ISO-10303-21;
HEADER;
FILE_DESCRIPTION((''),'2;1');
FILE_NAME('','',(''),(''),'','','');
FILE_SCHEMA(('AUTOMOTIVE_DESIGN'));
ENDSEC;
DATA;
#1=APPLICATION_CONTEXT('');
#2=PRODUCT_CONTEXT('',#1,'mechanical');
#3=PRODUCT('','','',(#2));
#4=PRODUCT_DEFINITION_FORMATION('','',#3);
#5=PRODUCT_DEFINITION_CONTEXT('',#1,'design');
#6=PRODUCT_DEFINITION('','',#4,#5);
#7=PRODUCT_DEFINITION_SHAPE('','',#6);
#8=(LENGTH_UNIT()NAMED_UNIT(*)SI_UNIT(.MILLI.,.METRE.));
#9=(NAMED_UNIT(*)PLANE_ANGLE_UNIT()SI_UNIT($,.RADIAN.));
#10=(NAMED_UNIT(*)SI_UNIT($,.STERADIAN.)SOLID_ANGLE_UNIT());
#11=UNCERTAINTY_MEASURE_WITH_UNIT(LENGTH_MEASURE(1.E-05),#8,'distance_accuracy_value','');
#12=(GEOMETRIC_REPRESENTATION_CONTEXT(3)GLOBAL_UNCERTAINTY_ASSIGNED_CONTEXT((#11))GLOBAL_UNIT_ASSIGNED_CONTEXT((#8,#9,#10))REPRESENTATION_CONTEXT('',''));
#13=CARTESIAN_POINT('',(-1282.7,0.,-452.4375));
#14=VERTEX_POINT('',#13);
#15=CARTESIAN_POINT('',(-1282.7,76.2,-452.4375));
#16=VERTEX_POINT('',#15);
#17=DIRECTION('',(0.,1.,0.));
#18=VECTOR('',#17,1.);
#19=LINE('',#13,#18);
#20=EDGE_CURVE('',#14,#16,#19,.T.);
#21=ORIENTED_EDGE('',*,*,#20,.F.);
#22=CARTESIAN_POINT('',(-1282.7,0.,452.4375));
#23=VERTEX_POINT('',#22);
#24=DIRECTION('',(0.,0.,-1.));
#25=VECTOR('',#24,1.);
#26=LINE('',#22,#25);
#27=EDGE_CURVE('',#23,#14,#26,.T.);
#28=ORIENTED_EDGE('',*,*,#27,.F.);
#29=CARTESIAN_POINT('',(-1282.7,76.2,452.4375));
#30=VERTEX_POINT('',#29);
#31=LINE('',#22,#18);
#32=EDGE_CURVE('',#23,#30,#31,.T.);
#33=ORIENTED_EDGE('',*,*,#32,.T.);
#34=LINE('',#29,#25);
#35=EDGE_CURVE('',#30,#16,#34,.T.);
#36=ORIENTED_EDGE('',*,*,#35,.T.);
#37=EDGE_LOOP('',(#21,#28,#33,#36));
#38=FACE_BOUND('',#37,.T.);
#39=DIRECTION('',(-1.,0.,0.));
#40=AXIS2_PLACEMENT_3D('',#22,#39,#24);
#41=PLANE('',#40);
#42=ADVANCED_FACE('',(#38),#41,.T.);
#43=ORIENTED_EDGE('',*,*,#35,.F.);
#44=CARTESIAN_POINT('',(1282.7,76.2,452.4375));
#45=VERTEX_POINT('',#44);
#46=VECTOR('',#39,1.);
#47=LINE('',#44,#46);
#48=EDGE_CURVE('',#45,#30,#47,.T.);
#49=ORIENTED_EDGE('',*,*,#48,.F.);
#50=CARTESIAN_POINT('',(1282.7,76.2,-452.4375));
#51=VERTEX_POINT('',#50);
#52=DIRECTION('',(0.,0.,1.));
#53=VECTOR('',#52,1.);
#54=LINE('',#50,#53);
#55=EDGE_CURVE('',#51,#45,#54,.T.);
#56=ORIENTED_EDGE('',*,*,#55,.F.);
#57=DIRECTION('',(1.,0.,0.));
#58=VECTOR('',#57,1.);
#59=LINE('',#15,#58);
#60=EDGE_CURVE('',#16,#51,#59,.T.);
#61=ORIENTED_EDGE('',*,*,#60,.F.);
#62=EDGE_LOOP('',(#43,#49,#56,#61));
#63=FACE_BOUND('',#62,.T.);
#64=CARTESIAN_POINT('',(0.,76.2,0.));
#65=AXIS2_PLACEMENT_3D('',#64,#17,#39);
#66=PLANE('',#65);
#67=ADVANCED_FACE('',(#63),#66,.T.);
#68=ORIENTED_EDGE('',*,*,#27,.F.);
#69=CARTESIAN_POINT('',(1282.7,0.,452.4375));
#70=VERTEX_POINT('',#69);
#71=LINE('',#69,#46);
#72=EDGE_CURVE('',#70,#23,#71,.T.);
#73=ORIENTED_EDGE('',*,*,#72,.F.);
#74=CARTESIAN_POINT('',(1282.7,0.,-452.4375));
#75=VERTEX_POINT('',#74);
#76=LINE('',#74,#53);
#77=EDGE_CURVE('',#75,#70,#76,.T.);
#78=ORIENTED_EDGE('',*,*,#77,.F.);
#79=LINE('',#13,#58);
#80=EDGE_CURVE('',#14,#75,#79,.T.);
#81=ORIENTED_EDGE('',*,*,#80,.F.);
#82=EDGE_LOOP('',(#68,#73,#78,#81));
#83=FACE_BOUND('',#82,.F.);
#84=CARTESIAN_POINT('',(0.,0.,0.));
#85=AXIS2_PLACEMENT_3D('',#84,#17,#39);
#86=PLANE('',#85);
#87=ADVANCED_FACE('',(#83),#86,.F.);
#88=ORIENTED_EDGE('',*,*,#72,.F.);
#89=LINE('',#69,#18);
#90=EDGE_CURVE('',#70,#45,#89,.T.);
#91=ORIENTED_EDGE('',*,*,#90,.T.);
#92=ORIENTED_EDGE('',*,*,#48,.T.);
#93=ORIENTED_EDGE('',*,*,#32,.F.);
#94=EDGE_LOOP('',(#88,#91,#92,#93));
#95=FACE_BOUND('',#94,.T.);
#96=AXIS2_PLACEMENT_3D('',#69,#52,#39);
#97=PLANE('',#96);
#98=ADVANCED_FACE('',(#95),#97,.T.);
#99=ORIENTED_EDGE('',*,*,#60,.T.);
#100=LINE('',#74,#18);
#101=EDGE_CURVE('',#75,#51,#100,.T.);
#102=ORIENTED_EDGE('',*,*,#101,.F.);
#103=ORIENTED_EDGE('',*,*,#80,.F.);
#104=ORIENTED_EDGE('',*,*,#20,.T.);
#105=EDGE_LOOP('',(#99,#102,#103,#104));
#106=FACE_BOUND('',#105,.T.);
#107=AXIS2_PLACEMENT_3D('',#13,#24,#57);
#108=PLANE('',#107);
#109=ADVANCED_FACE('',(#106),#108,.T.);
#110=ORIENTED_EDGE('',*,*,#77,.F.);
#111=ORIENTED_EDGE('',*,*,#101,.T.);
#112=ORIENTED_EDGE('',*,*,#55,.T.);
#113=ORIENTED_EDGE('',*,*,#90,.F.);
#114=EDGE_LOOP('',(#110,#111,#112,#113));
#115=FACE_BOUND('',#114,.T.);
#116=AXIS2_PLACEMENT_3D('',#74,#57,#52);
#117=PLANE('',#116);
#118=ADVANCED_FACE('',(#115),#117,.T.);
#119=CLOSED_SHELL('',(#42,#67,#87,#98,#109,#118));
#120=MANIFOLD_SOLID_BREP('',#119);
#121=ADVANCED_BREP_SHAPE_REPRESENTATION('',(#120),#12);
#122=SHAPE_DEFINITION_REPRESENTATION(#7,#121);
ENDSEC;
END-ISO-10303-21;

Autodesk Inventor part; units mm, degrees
ref_plane "YZ Plane" through (0, 0, 0) normal (1, 0, 0) x (0, 1, 0)
ref_plane "XZ Plane" through (0, 0, 0) normal (0, 1, 0) x (-1, 0, 0)
ref_plane "XY Plane" through (0, 0, 0) normal (0, 0, 1) x (1, 0, 0)
sketch "Sketch1" plane through (0, 0, 0) normal (0, 1, 0) x (-1, 0, 0)
  line L0 (1282.7, -452.4375) -> (-1282.7, -452.4375)
  line L1 (-1282.7, -452.4375) -> (-1282.7, 452.4375)
  line L2 (-1282.7, 452.4375) -> (1282.7, 452.4375)
  line L3 (1282.7, 452.4375) -> (1282.7, -452.4375)
  line L4 (1282.7, -452.4375) -> (-1282.7, 452.4375) construction
  line L5 (-1282.7, -452.4375) -> (1282.7, 452.4375) construction
  point P0 (0, 0)
  dimension "d0" = 2565.4
  dimension "d1" = 904.875
extrude "Extrusion1" add sketch "Sketch1" along normal blind 76.2
properties part number "14 - lid - 12" material "Granite, Cut, Polished"
